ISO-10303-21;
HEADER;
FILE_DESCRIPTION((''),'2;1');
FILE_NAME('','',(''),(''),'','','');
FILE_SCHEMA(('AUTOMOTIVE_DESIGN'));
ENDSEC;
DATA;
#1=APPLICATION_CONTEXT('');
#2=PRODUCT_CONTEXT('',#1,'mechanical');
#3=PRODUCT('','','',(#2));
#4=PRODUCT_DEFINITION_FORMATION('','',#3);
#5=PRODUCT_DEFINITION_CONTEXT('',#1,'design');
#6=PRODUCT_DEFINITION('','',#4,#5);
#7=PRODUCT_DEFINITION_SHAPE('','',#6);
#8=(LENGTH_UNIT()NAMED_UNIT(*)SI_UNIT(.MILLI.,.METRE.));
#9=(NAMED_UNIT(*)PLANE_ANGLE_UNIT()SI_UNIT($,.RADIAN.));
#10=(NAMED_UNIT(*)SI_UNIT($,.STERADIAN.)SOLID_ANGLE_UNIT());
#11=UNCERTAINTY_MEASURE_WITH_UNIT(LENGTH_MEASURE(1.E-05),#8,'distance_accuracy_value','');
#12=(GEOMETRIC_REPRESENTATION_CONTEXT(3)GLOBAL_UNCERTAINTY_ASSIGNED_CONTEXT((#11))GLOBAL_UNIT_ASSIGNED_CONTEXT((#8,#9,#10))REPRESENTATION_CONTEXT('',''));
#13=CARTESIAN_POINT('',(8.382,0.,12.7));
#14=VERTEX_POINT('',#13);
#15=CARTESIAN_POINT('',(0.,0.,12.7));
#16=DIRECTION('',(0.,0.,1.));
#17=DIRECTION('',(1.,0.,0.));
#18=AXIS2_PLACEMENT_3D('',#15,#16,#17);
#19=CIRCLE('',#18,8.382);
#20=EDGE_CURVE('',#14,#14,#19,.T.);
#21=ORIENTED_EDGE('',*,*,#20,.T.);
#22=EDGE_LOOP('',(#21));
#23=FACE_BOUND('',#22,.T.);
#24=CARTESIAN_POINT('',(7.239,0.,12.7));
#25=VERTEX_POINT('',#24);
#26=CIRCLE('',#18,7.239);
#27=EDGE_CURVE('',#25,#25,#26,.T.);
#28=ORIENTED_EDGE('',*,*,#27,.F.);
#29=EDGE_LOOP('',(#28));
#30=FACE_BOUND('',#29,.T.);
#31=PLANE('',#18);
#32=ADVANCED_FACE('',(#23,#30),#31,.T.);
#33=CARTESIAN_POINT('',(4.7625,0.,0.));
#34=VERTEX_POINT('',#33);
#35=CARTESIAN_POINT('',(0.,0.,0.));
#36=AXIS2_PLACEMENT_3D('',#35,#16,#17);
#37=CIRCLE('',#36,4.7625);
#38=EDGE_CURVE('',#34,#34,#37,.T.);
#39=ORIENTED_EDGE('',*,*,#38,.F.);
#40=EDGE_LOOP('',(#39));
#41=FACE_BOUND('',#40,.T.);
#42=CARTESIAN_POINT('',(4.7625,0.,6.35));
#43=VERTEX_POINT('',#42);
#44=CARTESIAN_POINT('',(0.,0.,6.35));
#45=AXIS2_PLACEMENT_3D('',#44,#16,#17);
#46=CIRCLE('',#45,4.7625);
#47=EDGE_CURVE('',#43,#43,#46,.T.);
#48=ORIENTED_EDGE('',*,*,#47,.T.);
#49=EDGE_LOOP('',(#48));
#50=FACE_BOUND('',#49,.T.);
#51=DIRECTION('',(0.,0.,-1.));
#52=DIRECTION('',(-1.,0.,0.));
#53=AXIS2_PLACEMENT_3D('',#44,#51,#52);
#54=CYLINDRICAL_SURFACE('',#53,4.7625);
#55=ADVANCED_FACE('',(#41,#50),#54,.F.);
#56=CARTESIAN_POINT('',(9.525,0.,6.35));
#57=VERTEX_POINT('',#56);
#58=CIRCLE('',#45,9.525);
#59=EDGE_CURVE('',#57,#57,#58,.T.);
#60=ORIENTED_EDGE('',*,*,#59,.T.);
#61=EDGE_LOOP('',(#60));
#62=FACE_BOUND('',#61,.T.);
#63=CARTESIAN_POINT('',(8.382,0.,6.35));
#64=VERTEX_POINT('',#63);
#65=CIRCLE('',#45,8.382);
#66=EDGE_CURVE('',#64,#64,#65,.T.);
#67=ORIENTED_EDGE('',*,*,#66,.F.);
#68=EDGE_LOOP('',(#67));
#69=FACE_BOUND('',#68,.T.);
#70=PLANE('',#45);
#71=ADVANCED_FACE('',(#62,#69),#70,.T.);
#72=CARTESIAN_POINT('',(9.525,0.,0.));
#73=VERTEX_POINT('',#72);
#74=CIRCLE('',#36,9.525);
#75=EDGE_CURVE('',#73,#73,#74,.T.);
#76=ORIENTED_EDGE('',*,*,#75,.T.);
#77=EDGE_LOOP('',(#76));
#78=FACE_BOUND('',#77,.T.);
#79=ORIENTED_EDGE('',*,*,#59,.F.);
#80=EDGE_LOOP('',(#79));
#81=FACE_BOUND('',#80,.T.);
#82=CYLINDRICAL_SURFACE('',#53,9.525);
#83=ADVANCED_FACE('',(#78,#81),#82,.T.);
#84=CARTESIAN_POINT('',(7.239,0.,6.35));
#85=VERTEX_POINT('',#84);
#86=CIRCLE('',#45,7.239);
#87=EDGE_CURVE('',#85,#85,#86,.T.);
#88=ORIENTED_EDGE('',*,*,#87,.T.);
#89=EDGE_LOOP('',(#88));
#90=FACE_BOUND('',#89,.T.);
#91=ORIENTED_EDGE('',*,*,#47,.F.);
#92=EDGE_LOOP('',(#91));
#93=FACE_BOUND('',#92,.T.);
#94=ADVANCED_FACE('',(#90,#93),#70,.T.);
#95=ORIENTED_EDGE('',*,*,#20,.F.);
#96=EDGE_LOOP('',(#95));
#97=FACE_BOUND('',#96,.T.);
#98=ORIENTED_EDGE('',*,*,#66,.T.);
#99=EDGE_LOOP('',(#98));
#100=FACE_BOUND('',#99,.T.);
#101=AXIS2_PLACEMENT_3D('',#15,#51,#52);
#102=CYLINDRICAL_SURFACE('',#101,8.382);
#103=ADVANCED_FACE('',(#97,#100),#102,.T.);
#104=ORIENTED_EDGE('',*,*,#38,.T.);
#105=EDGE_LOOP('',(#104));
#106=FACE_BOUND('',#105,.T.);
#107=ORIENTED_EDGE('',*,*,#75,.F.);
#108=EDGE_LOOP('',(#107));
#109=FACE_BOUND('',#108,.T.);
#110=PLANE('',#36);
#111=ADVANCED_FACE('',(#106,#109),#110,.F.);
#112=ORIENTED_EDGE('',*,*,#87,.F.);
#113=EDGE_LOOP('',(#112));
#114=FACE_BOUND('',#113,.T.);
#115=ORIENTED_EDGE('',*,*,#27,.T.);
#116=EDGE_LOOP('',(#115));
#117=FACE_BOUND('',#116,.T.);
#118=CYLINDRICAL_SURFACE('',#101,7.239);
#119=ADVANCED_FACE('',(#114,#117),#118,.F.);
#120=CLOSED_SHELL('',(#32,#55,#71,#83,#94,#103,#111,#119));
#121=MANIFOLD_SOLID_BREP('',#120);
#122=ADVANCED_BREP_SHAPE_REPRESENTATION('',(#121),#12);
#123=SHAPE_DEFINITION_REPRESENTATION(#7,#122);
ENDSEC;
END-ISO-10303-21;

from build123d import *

# Parameters (mm, degrees)
SKETCH1_R           = 9.525
SKETCH1_R_2         = 4.7625
BOSS_EXTRUDE1_DEPTH = 6.35
SKETCH2_R           = 8.382
SKETCH2_R_2         = 7.239
BOSS_EXTRUDE3_DEPTH = 6.35


with BuildPart() as part:
    # Sketch1 → Boss-Extrude1 (new body)
    with BuildSketch(Plane.XY):
        Circle(SKETCH1_R)
        Circle(SKETCH1_R_2, mode=Mode.SUBTRACT)
    extrude(amount=BOSS_EXTRUDE1_DEPTH)

    # Sketch2 → Boss-Extrude3 (add)
    with BuildSketch(Plane.XY.offset(6.35)):
        Circle(SKETCH2_R)
        Circle(SKETCH2_R_2, mode=Mode.SUBTRACT)
    extrude(amount=BOSS_EXTRUDE3_DEPTH)


solid = part.part
